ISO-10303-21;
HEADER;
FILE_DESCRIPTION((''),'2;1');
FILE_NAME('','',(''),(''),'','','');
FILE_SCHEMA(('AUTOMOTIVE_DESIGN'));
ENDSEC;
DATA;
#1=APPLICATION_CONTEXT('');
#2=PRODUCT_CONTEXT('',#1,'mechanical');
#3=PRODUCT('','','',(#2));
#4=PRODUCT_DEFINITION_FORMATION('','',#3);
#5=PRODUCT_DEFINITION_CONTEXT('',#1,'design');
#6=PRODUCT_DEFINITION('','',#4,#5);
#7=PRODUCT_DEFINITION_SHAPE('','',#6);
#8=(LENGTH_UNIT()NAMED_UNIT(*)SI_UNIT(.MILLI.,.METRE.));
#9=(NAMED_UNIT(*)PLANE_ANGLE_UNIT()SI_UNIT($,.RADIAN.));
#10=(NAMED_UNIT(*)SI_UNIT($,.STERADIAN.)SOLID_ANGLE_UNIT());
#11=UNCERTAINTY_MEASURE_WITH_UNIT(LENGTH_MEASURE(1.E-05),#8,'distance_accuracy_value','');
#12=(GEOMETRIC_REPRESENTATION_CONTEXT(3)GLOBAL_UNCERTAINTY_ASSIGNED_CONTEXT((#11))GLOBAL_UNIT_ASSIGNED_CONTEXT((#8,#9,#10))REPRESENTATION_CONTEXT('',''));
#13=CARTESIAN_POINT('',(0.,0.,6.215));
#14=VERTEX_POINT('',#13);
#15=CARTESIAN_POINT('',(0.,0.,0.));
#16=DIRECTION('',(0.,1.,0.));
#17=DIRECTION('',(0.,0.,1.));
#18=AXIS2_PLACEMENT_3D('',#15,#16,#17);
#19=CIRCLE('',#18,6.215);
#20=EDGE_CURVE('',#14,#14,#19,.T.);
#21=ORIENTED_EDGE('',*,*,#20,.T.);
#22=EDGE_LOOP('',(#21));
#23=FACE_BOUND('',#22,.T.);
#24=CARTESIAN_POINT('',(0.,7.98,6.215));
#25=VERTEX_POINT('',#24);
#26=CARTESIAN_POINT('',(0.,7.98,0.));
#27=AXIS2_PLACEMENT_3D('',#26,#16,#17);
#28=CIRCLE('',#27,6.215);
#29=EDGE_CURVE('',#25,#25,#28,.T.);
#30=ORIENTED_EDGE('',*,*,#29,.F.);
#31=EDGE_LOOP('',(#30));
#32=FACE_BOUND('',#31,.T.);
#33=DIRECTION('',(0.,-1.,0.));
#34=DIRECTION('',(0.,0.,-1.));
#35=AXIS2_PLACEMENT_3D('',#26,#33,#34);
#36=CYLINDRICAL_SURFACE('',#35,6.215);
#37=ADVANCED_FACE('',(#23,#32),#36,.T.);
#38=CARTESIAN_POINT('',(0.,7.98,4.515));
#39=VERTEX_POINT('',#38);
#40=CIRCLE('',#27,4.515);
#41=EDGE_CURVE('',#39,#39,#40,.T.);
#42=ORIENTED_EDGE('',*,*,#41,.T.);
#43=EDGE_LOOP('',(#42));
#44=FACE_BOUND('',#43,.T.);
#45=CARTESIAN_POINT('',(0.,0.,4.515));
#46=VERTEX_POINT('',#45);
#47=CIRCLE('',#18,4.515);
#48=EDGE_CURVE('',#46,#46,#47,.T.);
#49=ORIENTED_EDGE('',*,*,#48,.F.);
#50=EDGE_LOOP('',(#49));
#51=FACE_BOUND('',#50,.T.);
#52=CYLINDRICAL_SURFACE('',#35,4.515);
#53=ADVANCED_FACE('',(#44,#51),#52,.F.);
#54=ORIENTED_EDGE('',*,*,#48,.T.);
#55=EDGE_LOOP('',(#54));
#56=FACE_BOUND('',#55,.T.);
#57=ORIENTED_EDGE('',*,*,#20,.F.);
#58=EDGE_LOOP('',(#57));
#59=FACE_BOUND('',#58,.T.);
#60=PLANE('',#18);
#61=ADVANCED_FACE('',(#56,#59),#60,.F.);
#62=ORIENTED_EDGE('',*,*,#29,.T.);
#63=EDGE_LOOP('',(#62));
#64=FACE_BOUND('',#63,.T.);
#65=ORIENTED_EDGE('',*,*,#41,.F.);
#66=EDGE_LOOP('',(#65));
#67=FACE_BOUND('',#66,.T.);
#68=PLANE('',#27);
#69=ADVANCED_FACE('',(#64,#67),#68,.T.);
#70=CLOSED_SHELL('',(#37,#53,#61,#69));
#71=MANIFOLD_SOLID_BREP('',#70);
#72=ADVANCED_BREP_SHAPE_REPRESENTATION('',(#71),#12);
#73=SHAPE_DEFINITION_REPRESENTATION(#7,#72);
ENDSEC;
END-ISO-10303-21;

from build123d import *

# Parameters (mm, degrees)
SKETCH1_R           = 6.215
SKETCH1_R_2         = 4.515
BOSS_EXTRUDE3_DEPTH = 7.98


with BuildPart() as part:
    # Sketch1 → Boss-Extrude3 (new body)
    with BuildSketch(Plane(origin=(0, 0, 0), x_dir=(1, 0, 0), z_dir=(0, 1, 0))):
        Circle(SKETCH1_R)
        Circle(SKETCH1_R_2, mode=Mode.SUBTRACT)
    extrude(amount=BOSS_EXTRUDE3_DEPTH)


solid = part.part
